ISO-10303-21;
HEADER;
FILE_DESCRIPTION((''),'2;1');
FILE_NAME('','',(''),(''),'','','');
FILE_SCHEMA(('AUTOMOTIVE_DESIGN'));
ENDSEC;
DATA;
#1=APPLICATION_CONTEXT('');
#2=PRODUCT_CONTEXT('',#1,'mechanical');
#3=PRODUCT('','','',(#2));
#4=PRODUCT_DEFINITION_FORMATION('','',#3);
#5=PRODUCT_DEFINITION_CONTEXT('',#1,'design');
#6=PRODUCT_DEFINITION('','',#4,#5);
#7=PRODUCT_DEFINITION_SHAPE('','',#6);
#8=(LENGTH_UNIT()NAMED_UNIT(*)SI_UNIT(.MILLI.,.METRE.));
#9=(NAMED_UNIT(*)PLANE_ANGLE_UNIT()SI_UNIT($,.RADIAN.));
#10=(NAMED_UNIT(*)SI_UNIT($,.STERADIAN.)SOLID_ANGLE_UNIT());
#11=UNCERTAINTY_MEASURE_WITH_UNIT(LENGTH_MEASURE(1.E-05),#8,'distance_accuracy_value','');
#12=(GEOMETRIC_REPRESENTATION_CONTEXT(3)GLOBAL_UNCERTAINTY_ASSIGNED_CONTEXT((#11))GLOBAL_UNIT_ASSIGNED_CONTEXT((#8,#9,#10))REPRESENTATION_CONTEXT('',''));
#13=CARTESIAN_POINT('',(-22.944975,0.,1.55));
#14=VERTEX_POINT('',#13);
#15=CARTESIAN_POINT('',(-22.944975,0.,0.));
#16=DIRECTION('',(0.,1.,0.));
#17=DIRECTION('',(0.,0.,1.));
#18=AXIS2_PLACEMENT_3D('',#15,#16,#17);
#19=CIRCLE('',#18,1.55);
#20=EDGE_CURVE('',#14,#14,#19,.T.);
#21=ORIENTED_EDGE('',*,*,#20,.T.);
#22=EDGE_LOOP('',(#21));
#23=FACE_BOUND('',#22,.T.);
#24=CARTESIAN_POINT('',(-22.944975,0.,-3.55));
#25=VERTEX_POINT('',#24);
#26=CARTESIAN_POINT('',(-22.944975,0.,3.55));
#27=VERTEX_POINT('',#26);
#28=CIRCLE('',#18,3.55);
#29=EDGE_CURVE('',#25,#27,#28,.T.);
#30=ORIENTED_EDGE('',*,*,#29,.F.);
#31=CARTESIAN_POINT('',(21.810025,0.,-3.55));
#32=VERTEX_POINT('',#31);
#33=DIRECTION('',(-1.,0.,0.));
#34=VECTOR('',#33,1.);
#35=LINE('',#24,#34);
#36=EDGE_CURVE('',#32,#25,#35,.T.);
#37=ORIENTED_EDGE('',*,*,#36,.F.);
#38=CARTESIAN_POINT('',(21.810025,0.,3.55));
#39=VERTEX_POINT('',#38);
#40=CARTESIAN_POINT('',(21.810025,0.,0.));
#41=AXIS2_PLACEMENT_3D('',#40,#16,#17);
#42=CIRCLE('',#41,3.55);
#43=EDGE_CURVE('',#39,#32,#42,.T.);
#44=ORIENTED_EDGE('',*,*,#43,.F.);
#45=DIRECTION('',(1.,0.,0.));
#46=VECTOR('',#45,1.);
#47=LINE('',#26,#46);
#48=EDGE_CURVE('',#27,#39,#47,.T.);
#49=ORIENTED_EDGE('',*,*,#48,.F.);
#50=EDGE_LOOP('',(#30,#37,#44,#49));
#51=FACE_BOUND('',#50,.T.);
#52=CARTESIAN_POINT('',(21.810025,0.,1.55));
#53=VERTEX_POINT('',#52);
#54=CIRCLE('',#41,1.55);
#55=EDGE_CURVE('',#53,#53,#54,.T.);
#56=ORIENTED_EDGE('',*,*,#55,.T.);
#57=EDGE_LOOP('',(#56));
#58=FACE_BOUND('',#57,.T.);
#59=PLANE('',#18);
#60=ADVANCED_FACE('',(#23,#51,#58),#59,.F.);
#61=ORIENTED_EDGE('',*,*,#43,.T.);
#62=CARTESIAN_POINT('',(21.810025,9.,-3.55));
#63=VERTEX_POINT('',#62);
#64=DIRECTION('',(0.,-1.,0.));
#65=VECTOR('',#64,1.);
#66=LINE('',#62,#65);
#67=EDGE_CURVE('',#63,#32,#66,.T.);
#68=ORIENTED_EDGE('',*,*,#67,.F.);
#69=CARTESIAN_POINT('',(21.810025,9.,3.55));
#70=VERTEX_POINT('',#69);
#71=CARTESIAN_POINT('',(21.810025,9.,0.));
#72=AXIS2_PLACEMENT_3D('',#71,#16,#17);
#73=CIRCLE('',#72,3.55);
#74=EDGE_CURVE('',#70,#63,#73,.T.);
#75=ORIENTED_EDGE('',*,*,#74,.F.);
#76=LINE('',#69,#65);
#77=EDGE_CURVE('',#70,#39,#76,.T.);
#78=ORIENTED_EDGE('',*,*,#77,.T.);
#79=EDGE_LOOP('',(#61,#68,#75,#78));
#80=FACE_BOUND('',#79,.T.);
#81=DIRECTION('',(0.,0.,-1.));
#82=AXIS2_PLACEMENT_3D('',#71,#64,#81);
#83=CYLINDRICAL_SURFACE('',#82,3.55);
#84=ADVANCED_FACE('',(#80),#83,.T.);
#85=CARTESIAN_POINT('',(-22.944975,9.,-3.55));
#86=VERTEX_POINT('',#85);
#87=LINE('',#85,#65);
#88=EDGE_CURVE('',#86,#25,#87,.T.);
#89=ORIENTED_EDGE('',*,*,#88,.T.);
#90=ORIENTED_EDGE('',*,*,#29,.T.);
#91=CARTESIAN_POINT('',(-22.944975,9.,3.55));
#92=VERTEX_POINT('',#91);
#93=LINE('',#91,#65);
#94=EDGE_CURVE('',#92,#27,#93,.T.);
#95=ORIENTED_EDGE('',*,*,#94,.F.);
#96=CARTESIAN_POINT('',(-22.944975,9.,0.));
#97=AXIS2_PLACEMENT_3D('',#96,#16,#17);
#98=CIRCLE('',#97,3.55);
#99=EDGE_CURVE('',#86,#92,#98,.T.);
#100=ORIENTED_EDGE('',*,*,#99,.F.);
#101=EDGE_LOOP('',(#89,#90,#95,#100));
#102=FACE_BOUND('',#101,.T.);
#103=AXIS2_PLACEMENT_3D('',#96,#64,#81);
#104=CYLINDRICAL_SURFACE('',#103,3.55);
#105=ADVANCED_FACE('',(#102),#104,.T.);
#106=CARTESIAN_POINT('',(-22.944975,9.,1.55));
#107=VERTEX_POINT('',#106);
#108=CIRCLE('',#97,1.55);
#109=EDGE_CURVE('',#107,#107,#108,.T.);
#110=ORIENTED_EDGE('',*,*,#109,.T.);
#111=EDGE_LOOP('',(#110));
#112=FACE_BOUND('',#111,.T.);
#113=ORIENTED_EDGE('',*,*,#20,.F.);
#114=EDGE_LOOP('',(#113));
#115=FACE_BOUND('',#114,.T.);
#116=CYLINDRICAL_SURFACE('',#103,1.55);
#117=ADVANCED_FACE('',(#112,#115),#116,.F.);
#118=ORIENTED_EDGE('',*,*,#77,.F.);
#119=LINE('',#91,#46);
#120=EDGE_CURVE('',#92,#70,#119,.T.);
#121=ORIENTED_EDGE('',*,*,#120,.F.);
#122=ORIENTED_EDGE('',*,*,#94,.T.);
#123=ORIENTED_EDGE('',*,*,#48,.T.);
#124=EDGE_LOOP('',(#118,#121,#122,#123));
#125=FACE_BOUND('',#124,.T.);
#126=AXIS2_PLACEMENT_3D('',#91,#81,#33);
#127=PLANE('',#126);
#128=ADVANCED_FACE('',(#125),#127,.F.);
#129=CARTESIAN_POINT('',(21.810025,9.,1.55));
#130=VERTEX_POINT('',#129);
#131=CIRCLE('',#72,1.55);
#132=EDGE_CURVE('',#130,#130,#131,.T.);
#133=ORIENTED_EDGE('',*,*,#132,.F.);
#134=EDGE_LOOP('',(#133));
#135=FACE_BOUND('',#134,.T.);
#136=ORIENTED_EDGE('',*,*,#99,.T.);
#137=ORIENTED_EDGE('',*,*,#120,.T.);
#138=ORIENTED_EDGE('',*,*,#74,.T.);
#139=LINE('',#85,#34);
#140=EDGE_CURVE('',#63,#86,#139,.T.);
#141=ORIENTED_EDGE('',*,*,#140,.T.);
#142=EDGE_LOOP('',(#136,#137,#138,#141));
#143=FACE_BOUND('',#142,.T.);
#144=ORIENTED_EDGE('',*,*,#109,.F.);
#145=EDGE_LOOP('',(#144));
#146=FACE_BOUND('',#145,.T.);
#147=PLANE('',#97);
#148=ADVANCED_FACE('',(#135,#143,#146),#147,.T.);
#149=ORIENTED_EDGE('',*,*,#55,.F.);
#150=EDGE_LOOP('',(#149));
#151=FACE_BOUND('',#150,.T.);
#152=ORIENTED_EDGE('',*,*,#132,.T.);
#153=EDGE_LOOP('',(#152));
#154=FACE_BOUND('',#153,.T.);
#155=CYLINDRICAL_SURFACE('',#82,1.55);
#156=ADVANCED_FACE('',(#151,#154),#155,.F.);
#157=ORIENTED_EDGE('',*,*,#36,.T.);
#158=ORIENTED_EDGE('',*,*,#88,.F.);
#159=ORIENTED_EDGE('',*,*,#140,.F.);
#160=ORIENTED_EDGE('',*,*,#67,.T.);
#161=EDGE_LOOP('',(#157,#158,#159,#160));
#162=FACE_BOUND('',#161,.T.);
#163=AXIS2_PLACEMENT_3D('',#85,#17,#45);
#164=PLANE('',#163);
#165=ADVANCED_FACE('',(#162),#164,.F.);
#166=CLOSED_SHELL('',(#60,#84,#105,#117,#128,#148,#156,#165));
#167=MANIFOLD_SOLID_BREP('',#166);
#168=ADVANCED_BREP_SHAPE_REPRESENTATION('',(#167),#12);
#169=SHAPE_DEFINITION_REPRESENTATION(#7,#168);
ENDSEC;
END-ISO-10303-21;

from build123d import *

# Parameters (mm, degrees)
SKETCH1_R           = 1.55
BOSS_EXTRUDE1_DEPTH = 9


with BuildPart() as part:
    # Sketch1 → Boss-Extrude1 (new body)
    with BuildSketch(Plane(origin=(0, 0, 0), x_dir=(1, 0, 0), z_dir=(0, 1, 0))):
        with BuildLine():
            Line((-22.944975122, 3.55), (21.810024878, 3.55))
            ThreePointArc((21.810024878, 3.55), (25.360024878, 0), (21.810024878, -3.55))
            Line((21.810024878, -3.55), (-22.944975122, -3.55))
            ThreePointArc((-22.944975122, -3.55), (-26.494975122, 0), (-22.944975122, 3.55))
        make_face()
        with Locations((-22.944975122, 0)):
            Circle(SKETCH1_R, mode=Mode.SUBTRACT)
        with Locations((21.810024878, 0)):
            Circle(SKETCH1_R, mode=Mode.SUBTRACT)
    extrude(amount=BOSS_EXTRUDE1_DEPTH)


solid = part.part
